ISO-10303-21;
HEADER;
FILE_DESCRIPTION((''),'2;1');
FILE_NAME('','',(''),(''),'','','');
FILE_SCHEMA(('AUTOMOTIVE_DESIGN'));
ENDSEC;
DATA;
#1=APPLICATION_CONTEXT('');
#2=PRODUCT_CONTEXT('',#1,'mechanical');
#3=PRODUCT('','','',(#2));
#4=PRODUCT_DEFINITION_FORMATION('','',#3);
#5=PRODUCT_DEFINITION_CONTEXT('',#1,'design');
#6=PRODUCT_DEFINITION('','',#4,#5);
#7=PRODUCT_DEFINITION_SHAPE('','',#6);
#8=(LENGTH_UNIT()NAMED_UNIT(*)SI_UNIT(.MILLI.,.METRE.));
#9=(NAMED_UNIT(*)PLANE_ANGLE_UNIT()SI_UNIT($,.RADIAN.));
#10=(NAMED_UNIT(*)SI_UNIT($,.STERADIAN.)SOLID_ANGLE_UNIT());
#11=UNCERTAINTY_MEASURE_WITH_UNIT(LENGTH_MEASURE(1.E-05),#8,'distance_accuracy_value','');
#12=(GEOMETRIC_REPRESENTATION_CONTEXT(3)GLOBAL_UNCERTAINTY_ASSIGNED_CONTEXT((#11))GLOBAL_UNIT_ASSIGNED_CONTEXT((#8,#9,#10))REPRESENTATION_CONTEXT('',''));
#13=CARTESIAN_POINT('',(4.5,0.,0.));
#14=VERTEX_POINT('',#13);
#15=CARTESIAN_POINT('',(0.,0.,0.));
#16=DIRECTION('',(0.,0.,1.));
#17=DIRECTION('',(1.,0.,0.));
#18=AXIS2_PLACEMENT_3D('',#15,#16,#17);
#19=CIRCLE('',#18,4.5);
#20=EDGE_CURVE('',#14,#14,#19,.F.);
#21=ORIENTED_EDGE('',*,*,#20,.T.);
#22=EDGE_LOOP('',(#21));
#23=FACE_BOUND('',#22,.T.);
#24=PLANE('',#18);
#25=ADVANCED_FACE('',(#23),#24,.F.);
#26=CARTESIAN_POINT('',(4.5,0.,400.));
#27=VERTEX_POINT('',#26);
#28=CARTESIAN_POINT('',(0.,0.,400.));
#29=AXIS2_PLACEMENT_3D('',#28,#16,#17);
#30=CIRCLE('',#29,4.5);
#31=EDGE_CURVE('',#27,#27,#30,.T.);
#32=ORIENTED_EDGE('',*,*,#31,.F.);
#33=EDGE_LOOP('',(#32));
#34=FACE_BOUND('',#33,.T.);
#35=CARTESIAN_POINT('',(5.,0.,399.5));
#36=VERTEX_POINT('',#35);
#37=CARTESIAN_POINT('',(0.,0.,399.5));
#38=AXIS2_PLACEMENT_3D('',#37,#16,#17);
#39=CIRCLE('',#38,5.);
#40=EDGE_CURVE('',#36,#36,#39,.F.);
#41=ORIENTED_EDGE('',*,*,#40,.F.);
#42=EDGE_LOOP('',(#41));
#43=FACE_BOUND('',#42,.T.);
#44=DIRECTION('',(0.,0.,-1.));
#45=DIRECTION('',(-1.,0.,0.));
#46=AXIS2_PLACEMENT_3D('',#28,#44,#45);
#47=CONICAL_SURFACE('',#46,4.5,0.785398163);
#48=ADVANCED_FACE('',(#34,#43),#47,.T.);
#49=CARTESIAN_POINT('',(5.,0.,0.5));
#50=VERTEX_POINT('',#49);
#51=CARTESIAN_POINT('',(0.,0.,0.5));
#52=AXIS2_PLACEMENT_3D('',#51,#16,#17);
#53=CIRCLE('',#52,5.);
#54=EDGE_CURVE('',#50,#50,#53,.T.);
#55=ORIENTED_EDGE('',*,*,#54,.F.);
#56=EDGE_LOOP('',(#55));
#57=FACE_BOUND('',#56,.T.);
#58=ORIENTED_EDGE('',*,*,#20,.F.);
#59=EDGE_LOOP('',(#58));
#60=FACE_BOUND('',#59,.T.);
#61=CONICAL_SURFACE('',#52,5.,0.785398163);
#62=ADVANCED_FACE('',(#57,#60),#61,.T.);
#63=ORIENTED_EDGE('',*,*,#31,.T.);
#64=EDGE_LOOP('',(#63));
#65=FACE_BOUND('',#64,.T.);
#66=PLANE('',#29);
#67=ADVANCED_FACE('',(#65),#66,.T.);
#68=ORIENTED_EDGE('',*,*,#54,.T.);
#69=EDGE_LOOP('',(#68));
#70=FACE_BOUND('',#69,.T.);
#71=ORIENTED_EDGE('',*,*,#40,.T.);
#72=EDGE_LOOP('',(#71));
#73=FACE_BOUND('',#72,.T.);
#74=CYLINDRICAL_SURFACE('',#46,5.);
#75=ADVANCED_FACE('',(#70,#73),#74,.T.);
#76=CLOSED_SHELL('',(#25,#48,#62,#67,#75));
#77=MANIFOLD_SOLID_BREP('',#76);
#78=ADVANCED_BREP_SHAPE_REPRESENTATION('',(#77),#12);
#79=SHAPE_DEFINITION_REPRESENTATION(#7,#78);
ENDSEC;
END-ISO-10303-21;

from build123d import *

# Parameters (mm, degrees)
ESBO_O1_R                = 5
RESSALTO_EXTRUS_O1_DEPTH = 400
CHANFRO1_SIZE            = 0.5


with BuildPart() as part:
    # Esboço1 → Ressalto-extrusão1 (new body)
    with BuildSketch(Plane.XY):
        Circle(ESBO_O1_R)
    extrude(amount=RESSALTO_EXTRUS_O1_DEPTH)

    # Chanfro1
    chanfro1_edges = [part.edges().sort_by_distance(p)[0] for p in [
        (-5, 0, 0),
        (-5, 0, 400),
    ]]
    chamfer(chanfro1_edges, length=CHANFRO1_SIZE)


solid = part.part
